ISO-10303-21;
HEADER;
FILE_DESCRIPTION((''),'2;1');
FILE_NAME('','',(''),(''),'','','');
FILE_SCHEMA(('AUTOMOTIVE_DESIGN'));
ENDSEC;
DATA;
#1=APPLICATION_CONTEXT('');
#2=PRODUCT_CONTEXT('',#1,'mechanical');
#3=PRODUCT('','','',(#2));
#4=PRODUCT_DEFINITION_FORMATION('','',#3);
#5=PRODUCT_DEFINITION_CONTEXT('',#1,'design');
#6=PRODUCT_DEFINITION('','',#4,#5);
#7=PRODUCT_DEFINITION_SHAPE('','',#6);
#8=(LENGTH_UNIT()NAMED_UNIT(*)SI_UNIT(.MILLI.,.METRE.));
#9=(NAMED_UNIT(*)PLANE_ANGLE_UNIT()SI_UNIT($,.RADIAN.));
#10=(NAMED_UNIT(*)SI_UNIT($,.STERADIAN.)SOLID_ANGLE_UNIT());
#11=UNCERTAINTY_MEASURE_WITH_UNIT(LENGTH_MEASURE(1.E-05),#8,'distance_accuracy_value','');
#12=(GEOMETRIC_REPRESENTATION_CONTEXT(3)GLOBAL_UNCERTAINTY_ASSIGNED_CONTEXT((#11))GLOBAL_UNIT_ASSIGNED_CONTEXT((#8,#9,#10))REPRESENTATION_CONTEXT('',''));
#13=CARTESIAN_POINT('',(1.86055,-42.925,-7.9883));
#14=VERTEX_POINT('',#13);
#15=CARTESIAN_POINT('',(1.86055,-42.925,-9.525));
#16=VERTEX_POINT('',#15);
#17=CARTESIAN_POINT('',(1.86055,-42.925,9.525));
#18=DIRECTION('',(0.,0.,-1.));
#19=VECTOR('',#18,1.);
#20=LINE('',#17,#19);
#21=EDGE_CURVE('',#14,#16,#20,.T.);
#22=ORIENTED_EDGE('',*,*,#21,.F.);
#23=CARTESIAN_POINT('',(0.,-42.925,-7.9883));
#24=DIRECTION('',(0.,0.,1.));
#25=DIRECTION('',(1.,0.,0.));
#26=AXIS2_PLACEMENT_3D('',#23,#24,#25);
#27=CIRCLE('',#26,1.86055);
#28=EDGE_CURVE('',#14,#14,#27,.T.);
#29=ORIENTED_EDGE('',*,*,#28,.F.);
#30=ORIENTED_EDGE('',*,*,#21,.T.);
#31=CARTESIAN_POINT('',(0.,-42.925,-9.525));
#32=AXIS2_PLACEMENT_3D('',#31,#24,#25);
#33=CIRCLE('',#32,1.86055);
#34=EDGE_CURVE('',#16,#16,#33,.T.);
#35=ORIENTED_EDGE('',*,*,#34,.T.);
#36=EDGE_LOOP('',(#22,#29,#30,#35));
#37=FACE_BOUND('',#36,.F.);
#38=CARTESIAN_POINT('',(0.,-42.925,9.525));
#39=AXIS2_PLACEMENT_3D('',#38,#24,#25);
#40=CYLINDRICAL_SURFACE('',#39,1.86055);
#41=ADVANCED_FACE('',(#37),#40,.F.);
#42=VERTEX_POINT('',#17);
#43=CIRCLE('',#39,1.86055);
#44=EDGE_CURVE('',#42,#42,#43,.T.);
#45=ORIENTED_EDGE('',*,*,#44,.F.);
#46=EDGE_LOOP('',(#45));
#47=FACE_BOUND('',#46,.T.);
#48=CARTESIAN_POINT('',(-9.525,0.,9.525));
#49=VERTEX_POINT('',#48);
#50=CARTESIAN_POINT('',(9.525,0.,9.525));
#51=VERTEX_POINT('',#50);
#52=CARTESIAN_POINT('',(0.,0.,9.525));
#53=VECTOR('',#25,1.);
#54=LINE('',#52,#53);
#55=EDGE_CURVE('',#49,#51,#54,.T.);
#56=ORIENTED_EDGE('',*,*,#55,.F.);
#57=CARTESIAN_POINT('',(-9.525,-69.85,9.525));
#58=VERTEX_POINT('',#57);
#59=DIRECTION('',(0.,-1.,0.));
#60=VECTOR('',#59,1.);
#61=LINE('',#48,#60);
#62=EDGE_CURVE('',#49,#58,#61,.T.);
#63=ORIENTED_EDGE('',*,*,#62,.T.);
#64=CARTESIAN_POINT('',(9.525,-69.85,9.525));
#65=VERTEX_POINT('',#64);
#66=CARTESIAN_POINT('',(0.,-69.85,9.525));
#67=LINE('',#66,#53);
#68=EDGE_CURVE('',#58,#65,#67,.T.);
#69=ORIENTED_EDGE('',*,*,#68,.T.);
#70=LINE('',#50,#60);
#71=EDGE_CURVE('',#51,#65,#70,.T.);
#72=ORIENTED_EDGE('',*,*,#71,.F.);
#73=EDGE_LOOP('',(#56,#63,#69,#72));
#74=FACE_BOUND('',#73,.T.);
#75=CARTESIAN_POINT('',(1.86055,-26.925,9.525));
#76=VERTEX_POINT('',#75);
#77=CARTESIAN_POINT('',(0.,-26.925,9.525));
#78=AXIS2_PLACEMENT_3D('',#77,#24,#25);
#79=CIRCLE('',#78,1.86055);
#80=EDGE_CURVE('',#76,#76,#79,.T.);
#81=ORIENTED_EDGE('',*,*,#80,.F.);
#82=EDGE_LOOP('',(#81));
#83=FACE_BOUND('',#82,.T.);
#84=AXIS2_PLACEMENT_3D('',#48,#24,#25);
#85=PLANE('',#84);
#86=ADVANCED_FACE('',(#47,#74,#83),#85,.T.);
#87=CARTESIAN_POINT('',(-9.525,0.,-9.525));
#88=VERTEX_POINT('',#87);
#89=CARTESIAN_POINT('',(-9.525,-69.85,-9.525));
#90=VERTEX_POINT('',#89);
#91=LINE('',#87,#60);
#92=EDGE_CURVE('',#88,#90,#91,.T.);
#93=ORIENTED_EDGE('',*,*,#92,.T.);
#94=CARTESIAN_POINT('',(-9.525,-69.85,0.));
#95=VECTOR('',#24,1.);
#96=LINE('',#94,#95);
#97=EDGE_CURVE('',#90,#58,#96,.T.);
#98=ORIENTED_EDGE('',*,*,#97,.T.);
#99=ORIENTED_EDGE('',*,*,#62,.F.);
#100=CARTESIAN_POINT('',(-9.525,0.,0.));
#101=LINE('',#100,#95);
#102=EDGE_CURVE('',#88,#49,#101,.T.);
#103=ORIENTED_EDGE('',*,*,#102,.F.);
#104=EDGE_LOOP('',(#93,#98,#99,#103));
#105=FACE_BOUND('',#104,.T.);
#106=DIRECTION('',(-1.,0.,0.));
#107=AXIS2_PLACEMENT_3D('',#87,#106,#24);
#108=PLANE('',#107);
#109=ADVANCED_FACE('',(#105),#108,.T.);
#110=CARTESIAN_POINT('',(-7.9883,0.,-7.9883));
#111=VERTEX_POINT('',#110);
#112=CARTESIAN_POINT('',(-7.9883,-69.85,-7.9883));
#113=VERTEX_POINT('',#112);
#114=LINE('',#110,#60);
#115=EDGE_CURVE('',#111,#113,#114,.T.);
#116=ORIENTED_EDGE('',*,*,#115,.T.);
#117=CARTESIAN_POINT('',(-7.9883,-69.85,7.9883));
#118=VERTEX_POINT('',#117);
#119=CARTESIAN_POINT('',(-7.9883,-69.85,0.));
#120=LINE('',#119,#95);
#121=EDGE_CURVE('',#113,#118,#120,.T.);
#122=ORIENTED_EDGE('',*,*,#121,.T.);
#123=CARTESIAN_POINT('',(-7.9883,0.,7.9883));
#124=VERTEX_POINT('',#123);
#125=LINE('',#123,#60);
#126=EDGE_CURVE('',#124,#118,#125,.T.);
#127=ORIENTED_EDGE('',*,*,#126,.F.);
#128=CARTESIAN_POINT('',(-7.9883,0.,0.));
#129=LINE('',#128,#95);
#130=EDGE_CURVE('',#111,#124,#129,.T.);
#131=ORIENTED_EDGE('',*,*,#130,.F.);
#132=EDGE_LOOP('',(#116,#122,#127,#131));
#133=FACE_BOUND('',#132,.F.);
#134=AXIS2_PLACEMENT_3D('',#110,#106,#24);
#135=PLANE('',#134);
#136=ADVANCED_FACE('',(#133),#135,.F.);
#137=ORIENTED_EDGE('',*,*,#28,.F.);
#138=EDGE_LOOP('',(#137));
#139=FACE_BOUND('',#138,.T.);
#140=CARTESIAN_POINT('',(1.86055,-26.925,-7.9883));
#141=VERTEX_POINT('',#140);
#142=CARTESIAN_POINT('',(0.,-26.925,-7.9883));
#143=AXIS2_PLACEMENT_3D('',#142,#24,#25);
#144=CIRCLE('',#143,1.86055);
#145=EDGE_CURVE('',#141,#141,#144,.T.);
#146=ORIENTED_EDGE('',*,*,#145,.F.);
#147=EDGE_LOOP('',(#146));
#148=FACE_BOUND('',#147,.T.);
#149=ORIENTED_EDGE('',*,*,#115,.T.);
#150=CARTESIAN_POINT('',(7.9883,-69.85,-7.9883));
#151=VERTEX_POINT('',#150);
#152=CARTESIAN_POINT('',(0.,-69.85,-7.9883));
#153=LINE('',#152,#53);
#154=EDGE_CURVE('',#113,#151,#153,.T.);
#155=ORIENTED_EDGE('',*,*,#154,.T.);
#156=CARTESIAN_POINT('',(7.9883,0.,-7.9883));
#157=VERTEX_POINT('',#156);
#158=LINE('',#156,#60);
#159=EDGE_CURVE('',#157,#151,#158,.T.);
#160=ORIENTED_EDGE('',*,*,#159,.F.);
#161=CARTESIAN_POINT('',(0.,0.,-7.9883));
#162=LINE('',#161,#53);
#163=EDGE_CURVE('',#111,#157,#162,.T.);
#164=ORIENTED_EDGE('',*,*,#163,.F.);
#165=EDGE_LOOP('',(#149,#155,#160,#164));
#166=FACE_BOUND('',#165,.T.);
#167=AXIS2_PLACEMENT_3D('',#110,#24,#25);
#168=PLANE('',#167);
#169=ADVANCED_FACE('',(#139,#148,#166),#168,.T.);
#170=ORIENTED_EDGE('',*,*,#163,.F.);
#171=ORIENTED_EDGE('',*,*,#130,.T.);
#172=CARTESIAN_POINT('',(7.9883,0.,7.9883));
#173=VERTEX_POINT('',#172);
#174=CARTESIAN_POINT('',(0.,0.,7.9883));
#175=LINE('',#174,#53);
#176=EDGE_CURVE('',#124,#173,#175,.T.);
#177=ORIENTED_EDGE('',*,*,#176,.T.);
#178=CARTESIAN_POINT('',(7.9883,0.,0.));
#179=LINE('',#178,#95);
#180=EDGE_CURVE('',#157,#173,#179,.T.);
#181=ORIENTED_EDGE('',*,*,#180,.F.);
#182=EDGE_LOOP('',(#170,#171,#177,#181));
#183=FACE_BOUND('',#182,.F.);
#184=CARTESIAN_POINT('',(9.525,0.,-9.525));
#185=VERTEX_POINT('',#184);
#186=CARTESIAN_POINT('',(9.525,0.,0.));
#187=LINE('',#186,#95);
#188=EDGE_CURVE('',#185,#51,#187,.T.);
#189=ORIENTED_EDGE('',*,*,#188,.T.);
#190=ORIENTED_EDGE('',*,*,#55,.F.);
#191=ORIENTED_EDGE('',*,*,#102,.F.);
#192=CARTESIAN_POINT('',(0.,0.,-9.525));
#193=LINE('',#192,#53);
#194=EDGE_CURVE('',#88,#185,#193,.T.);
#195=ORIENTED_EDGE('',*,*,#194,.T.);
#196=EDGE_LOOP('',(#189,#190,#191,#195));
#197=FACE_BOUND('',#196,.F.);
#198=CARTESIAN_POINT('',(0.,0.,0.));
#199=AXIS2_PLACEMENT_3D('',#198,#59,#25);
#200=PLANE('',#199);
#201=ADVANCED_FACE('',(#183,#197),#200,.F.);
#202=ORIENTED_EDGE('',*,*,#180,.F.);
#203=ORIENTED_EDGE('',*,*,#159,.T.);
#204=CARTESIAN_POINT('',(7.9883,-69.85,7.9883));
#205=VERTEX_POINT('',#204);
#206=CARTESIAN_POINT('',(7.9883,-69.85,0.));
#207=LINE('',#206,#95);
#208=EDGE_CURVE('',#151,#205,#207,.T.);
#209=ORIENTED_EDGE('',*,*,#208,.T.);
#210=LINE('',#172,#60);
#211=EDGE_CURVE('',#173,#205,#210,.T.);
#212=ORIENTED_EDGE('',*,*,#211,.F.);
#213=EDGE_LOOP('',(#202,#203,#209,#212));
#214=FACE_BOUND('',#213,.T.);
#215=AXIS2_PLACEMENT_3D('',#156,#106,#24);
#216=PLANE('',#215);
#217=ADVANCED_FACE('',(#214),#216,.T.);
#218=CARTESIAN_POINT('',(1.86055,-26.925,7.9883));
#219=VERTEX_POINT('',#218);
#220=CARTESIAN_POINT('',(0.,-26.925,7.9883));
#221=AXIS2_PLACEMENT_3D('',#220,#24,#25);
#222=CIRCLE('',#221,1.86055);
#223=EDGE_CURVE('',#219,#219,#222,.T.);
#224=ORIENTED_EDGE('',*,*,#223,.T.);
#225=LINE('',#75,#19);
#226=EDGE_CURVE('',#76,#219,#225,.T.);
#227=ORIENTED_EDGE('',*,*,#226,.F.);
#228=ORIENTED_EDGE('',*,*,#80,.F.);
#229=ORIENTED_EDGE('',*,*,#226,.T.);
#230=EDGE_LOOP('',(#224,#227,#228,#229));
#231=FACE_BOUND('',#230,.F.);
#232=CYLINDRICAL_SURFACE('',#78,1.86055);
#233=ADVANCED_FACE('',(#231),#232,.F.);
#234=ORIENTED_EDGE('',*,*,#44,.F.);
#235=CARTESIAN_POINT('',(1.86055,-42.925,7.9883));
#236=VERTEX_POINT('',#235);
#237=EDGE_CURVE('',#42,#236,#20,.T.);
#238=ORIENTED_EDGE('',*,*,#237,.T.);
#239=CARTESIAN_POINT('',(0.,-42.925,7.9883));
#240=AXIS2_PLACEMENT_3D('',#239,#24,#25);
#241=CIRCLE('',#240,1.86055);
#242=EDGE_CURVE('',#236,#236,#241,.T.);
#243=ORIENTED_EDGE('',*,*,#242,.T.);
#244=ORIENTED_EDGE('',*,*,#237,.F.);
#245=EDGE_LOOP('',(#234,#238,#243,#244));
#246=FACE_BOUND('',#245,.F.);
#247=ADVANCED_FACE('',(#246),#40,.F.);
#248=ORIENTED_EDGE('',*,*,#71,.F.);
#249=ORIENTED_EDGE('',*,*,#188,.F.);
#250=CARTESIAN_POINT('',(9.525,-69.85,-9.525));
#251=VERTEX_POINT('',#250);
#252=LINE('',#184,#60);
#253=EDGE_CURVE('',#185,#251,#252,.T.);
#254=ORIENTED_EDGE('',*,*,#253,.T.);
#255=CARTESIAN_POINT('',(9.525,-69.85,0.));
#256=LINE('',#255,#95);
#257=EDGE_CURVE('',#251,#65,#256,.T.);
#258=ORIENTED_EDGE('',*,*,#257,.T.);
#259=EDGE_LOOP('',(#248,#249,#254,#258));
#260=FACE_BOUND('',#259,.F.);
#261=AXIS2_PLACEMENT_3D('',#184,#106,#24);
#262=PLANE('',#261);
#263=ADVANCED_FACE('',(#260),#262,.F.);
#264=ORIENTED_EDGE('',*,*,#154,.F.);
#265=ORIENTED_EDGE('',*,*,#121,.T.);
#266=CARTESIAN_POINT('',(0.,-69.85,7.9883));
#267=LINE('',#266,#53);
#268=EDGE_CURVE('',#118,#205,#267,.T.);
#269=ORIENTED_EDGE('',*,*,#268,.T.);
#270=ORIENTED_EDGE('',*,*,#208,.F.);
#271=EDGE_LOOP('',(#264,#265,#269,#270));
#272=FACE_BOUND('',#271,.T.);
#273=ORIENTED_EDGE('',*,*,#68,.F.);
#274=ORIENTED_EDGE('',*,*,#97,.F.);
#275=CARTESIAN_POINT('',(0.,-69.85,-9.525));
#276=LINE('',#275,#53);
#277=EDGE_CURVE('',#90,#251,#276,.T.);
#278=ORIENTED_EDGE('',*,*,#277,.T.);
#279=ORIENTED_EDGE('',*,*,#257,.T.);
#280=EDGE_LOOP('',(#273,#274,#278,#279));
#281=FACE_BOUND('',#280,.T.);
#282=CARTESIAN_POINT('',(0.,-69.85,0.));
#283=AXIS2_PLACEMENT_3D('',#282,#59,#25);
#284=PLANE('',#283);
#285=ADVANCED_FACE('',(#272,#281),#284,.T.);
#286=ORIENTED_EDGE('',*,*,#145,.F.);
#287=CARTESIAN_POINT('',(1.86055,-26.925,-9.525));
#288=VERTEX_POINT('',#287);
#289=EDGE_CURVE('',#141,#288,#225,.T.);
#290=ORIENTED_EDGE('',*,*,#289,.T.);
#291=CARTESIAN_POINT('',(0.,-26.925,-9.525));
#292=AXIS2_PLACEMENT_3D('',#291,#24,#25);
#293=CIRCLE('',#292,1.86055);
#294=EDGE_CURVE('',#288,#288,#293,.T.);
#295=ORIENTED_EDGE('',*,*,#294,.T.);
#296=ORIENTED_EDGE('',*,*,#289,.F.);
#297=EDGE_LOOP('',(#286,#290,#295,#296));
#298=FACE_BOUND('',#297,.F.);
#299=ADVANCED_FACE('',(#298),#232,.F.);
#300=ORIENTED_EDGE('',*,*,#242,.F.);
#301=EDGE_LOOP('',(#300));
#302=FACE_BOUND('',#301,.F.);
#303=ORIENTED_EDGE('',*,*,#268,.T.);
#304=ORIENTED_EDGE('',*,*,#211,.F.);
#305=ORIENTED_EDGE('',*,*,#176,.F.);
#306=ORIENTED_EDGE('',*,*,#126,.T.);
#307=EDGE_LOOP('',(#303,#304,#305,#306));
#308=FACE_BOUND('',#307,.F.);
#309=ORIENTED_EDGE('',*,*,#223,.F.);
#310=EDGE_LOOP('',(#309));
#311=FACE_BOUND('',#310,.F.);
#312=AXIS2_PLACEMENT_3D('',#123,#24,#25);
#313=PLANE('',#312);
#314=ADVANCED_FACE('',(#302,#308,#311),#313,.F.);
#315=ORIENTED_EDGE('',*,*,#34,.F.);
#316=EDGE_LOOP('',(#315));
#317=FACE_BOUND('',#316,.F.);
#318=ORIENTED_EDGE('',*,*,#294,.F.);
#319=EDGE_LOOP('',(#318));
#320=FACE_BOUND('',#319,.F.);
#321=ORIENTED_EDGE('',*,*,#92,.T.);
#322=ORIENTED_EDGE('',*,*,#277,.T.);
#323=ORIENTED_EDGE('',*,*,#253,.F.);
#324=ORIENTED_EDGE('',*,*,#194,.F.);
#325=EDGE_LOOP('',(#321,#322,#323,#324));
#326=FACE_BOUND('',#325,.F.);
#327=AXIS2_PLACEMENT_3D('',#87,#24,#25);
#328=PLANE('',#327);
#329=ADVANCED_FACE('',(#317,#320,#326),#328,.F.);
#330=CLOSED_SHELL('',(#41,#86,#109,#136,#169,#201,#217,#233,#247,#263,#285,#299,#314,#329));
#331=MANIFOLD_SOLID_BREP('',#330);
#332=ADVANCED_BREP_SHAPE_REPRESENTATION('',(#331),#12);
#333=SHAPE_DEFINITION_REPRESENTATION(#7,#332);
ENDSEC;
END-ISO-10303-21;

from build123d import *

# Parameters (mm, degrees)
F0_W     = 19.05
F0_H     = 19.05
F0_W_2   = 15.9766
F0_H_2   = 15.9766
F1_DEPTH = 69.85
F2_R     = 1.86055
F3_DEPTH = 19.05


with BuildPart() as f1:
    # F0 (on Front) → F1 (new body)
    with BuildSketch(Plane.XZ):
        Rectangle(F0_W, F0_H)
        Rectangle(F0_W_2, F0_H_2, mode=Mode.SUBTRACT)
    extrude(amount=F1_DEPTH)

    # F2 (on face) → F3 (cut, through all)
    with BuildSketch(Plane.XY.offset(9.525)):
        with Locations((0, -26.925)):
            Circle(F2_R)
        with Locations((0, -42.925)):
            Circle(F2_R)
    extrude(amount=-F3_DEPTH, mode=Mode.SUBTRACT)


solid = f1.part
